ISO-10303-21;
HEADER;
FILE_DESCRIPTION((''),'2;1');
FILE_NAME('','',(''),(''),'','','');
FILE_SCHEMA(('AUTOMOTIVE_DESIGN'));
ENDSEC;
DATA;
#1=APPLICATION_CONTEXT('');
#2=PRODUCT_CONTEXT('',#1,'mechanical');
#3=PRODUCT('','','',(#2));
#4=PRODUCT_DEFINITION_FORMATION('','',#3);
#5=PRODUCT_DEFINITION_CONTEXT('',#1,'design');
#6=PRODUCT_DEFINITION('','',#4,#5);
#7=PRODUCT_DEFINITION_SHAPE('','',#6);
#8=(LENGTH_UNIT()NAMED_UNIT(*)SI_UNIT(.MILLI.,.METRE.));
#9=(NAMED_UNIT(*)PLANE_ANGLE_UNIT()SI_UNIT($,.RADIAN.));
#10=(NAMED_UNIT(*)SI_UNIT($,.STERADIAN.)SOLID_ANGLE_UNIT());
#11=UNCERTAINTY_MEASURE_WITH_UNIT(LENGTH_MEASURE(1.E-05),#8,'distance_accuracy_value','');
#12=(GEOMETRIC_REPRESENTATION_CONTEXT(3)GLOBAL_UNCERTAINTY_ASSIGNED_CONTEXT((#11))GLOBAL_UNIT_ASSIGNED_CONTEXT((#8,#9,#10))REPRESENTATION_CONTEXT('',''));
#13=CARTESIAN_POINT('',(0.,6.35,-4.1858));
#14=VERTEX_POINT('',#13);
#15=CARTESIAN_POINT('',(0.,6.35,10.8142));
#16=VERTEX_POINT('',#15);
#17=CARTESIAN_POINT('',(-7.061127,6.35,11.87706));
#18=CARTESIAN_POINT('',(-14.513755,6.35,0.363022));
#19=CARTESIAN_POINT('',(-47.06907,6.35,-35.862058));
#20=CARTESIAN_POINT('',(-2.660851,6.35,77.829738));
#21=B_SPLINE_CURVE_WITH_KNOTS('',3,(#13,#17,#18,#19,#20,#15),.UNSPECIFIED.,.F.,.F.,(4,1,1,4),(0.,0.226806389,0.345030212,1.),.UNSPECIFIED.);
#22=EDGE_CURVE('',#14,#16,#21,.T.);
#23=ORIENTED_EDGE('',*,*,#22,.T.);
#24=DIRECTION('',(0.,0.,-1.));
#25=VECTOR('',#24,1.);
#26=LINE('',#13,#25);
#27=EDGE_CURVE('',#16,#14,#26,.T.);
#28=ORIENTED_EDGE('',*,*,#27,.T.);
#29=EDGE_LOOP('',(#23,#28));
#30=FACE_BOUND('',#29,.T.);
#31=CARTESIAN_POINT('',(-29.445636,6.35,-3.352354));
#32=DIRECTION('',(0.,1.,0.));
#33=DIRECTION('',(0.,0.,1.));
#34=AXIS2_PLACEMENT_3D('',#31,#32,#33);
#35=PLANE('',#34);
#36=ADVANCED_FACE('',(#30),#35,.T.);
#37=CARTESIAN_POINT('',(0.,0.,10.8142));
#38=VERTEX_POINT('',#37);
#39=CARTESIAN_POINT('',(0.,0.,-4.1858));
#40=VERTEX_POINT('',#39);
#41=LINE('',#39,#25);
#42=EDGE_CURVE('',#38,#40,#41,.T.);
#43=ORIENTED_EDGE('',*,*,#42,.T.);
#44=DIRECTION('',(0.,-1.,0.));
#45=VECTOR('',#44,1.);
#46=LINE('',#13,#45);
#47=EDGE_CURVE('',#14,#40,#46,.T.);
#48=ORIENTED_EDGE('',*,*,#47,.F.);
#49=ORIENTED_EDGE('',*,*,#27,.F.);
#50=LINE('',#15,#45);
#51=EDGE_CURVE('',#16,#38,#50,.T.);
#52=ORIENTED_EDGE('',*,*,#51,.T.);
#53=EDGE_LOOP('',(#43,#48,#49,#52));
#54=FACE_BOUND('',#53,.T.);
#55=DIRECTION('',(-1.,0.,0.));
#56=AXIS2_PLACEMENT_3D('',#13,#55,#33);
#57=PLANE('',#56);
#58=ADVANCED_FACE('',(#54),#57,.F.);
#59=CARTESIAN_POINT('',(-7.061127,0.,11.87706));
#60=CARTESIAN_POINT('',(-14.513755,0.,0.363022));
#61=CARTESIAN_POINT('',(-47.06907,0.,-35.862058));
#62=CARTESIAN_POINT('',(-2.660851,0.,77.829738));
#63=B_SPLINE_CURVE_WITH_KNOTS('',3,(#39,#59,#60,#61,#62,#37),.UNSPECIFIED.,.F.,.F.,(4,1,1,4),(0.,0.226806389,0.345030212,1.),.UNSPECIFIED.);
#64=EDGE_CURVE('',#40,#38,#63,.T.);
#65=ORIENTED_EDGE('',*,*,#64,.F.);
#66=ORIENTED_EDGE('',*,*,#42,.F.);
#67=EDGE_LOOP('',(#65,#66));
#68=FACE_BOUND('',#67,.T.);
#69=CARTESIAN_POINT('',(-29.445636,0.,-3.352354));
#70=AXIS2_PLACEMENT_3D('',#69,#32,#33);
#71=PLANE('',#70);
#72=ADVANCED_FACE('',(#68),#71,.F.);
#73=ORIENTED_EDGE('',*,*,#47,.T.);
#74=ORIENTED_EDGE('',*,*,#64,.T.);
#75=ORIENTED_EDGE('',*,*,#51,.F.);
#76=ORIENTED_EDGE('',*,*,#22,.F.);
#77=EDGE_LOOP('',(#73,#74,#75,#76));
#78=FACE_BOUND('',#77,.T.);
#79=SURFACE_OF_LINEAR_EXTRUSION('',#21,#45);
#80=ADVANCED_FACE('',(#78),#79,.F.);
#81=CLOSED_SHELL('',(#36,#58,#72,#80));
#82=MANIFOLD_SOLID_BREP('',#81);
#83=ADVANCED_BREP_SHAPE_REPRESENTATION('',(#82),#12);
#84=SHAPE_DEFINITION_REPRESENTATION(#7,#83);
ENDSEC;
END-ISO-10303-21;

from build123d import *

# Parameters (mm, degrees)
BOSS_EXTRUDE1_DEPTH = 6.35


with BuildPart() as part:
    # Sketch2 → Boss-Extrude1 (new body)
    with BuildSketch(Plane(origin=(0, 0, 0), x_dir=(1, 0, 0), z_dir=(0, 1, 0))):
        with BuildLine():
            Line((0, 4.18579954), (0, -10.81420046))
            add(Edge.make_bspline(
                [(0, -10.81420046), (-2.660850973, -77.829737833), (-47.069069638, 35.862057749), (-14.51375469, -0.363021623), (-7.061127273, -11.877060088), (0, 4.18579954)],
                knots=[0, 0, 0, 0, 0.654969788, 0.773193611, 1, 1, 1, 1], degree=3))
        make_face()
    extrude(amount=BOSS_EXTRUDE1_DEPTH)


solid = part.part
